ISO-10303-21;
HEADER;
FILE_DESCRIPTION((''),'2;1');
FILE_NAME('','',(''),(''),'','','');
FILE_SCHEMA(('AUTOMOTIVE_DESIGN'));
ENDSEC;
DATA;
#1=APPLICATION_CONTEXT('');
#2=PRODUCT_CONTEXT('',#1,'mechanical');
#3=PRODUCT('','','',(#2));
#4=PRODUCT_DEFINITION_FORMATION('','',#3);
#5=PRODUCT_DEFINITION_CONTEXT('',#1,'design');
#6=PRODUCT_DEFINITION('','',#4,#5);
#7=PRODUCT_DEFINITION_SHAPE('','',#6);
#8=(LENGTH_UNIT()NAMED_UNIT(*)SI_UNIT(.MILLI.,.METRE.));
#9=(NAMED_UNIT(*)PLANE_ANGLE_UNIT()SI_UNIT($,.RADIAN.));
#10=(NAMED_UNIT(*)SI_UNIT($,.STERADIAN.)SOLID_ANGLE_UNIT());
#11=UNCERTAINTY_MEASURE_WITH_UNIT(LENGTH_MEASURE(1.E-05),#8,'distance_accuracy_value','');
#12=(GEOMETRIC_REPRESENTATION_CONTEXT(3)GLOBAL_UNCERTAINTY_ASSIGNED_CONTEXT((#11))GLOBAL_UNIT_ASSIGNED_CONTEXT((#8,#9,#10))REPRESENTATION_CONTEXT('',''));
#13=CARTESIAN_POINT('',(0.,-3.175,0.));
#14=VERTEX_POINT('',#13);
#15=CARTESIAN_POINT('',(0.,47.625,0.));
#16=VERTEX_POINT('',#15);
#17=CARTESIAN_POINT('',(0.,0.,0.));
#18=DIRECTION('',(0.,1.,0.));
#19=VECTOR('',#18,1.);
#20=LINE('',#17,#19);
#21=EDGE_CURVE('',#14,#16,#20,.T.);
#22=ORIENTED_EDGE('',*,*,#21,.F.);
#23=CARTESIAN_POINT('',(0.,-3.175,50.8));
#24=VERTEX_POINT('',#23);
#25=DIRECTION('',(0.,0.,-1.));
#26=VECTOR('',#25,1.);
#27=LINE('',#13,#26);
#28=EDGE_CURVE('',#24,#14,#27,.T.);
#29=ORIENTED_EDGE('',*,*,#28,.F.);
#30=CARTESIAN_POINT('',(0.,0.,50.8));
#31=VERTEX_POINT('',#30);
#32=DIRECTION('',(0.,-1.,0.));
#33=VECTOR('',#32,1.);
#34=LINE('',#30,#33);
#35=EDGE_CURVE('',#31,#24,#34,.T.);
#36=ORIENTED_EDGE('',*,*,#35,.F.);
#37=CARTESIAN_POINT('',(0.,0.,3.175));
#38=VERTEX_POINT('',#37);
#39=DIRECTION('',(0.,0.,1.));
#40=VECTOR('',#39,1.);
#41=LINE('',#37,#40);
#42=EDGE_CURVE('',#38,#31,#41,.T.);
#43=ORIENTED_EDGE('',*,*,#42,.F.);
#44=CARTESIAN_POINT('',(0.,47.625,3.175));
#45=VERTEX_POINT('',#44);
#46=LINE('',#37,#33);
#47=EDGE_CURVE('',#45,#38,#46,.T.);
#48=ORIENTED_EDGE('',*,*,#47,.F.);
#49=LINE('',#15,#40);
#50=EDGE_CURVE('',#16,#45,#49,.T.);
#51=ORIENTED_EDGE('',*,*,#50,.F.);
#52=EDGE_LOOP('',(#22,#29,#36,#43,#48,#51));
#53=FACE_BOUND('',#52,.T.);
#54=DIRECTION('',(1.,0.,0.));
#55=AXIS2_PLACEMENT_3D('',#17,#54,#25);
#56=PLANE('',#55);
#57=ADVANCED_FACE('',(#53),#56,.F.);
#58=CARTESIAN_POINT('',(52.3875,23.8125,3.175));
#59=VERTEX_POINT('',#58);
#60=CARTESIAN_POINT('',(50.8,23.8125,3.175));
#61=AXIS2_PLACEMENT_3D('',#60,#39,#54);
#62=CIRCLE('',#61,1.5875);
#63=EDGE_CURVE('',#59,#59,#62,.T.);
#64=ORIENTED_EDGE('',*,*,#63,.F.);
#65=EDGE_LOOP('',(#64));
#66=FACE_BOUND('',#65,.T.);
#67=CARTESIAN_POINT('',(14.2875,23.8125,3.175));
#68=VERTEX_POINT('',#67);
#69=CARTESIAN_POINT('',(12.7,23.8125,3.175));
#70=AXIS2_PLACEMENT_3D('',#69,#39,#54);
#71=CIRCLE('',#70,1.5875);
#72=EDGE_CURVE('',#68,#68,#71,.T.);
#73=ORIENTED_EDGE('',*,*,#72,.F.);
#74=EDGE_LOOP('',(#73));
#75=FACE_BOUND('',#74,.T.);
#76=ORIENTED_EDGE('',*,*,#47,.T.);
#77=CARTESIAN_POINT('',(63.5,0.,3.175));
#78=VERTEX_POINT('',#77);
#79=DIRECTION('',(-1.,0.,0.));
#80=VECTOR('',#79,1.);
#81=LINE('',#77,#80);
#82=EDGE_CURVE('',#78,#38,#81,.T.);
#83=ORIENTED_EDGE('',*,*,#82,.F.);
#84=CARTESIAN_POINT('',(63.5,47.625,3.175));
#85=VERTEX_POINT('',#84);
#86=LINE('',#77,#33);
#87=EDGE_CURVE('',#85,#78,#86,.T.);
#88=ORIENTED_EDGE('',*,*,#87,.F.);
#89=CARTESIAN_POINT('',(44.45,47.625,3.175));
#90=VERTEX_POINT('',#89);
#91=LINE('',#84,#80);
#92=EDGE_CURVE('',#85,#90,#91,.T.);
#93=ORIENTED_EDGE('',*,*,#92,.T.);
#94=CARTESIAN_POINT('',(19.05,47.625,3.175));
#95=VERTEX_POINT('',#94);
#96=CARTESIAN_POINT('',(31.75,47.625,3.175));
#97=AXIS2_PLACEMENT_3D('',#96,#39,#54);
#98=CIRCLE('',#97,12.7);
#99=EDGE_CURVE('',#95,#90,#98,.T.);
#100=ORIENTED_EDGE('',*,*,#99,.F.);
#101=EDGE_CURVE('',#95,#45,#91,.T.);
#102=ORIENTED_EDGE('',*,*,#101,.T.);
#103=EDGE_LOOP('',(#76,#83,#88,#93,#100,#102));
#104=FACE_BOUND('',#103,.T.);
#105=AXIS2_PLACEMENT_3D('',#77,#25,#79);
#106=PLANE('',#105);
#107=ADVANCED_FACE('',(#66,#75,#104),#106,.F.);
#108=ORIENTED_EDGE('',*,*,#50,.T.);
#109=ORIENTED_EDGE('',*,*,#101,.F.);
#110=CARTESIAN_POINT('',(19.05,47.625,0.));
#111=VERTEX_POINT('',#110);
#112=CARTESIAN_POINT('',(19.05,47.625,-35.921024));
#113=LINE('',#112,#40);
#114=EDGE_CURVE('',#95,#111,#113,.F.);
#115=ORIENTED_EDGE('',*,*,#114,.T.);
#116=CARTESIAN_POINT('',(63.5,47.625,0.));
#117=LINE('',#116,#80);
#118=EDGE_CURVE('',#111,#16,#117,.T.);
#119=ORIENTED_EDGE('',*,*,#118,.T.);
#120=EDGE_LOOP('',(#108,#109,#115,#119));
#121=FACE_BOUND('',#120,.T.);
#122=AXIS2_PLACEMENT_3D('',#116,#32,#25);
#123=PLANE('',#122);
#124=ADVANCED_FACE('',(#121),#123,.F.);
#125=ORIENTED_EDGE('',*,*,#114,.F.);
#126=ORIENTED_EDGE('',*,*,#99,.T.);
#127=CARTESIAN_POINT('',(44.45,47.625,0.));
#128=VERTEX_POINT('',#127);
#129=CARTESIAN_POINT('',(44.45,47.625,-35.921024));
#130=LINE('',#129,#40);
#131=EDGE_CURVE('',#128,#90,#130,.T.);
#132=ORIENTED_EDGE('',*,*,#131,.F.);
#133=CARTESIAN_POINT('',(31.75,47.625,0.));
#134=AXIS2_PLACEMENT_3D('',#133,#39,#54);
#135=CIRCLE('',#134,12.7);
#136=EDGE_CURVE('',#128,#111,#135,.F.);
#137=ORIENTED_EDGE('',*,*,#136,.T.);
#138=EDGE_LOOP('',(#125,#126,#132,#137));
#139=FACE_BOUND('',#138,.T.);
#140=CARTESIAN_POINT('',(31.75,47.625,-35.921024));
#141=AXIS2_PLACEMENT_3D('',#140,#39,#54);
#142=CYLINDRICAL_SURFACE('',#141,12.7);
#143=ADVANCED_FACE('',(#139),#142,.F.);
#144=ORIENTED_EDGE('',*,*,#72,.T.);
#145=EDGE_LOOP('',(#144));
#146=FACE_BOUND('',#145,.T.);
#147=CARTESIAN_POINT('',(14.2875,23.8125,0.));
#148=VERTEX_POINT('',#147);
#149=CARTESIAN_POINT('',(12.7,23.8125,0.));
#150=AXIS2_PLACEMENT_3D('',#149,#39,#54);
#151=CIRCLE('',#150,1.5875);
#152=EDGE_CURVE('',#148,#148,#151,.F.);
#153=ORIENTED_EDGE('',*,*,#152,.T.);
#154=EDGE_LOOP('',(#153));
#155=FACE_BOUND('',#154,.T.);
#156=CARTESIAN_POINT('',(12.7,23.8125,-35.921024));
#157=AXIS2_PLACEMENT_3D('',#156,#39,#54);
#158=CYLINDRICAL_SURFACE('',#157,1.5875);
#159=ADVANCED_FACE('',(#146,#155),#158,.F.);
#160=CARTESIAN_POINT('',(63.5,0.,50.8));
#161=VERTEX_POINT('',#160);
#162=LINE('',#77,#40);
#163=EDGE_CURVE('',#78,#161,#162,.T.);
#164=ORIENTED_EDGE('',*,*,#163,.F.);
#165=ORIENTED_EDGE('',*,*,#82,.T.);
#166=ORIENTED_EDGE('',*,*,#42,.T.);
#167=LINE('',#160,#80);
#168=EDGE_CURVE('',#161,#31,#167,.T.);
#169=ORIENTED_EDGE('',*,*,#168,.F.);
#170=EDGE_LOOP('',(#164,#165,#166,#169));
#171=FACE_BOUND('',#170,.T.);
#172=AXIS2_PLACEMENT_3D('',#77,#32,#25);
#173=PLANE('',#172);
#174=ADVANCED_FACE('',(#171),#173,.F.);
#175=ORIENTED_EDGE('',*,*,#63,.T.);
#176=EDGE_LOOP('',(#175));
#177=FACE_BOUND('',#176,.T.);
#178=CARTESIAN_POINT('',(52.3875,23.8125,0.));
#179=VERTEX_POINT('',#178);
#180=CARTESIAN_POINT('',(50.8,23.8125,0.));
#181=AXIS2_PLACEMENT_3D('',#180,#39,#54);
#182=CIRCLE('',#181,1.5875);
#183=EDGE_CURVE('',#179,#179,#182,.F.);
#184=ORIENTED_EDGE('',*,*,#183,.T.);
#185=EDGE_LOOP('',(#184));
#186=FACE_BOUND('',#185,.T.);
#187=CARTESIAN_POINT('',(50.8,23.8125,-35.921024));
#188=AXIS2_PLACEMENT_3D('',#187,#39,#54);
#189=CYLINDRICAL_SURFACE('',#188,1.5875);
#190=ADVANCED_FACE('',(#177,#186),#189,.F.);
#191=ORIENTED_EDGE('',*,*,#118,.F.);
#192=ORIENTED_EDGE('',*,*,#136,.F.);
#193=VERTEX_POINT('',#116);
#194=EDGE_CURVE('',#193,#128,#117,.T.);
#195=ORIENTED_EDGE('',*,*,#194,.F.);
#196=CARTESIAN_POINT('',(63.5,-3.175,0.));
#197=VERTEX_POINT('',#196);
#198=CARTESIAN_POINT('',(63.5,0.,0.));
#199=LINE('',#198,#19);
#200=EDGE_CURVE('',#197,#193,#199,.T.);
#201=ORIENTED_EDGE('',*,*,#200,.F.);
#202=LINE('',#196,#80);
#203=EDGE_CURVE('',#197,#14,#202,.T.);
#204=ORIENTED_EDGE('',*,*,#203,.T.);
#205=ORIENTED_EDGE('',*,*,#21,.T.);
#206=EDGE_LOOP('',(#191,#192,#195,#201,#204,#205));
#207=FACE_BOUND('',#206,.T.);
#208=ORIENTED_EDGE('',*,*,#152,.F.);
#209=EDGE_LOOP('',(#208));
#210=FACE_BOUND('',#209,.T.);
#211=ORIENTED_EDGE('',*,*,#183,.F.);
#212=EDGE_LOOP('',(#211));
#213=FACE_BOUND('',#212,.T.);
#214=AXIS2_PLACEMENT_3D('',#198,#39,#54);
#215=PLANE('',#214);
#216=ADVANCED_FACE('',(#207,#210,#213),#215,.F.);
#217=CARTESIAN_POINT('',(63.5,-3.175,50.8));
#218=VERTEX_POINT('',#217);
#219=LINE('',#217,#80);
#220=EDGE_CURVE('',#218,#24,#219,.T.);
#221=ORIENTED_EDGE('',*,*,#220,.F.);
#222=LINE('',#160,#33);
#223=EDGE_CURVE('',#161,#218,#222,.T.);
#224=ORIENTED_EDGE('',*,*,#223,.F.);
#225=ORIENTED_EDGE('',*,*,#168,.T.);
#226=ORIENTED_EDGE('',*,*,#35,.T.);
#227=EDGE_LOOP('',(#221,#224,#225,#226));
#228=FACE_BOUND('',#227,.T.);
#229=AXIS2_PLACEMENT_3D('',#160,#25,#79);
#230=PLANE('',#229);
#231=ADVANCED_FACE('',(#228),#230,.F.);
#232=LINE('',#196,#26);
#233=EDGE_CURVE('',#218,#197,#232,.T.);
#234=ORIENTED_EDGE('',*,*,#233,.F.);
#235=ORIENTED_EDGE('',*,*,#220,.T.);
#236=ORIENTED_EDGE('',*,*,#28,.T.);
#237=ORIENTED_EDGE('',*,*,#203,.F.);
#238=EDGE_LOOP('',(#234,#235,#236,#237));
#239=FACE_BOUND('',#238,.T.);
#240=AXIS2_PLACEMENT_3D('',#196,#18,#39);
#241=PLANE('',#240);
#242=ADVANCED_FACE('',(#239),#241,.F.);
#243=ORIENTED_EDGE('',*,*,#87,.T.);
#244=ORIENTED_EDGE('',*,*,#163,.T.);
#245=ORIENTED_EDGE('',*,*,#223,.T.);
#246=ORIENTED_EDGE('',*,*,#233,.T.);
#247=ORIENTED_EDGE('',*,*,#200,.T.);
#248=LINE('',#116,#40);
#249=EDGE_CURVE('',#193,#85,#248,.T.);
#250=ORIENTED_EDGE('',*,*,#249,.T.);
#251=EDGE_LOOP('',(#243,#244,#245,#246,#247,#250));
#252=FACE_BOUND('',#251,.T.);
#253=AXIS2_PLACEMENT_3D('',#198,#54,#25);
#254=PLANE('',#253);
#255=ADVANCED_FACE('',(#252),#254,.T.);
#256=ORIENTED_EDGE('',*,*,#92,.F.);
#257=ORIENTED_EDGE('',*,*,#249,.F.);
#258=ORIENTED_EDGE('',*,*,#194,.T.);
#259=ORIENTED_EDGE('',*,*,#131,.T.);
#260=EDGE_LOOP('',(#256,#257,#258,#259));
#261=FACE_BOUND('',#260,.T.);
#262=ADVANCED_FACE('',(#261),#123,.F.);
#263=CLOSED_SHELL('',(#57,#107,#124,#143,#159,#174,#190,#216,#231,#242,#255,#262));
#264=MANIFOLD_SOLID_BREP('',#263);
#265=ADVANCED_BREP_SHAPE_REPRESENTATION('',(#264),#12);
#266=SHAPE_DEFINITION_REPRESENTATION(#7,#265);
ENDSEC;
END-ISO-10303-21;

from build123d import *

# Parameters (mm, degrees)
BOSS_EXTRUDE1_DEPTH = 63.5
SKETCH2_R           = 12.7
SKETCH2_R_2         = 1.5875
CUT_EXTRUDE1_DEPTH  = 3.175


with BuildPart() as part:
    # Sketch1 → Boss-Extrude1 (new body)
    with BuildSketch(Plane(origin=(0, 0, 0), x_dir=(0, 0, -1), z_dir=(1, 0, 0))):
        Polygon((-3.175, 0), (-50.8, 0), (-50.8, -3.175), (0, -3.175), (0, 0), (0, 47.625), (-3.175, 47.625), align=None)
    extrude(amount=BOSS_EXTRUDE1_DEPTH)

    # Sketch2 → Cut-Extrude1 (cut)
    with BuildSketch(Plane.XY.offset(3.175)):
        with Locations((31.75, 47.625)):
            Circle(SKETCH2_R)
        with Locations((12.7, 23.8125)):
            Circle(SKETCH2_R_2)
        with Locations((50.8, 23.8125)):
            Circle(SKETCH2_R_2)
    extrude(amount=-CUT_EXTRUDE1_DEPTH, mode=Mode.SUBTRACT)


solid = part.part
